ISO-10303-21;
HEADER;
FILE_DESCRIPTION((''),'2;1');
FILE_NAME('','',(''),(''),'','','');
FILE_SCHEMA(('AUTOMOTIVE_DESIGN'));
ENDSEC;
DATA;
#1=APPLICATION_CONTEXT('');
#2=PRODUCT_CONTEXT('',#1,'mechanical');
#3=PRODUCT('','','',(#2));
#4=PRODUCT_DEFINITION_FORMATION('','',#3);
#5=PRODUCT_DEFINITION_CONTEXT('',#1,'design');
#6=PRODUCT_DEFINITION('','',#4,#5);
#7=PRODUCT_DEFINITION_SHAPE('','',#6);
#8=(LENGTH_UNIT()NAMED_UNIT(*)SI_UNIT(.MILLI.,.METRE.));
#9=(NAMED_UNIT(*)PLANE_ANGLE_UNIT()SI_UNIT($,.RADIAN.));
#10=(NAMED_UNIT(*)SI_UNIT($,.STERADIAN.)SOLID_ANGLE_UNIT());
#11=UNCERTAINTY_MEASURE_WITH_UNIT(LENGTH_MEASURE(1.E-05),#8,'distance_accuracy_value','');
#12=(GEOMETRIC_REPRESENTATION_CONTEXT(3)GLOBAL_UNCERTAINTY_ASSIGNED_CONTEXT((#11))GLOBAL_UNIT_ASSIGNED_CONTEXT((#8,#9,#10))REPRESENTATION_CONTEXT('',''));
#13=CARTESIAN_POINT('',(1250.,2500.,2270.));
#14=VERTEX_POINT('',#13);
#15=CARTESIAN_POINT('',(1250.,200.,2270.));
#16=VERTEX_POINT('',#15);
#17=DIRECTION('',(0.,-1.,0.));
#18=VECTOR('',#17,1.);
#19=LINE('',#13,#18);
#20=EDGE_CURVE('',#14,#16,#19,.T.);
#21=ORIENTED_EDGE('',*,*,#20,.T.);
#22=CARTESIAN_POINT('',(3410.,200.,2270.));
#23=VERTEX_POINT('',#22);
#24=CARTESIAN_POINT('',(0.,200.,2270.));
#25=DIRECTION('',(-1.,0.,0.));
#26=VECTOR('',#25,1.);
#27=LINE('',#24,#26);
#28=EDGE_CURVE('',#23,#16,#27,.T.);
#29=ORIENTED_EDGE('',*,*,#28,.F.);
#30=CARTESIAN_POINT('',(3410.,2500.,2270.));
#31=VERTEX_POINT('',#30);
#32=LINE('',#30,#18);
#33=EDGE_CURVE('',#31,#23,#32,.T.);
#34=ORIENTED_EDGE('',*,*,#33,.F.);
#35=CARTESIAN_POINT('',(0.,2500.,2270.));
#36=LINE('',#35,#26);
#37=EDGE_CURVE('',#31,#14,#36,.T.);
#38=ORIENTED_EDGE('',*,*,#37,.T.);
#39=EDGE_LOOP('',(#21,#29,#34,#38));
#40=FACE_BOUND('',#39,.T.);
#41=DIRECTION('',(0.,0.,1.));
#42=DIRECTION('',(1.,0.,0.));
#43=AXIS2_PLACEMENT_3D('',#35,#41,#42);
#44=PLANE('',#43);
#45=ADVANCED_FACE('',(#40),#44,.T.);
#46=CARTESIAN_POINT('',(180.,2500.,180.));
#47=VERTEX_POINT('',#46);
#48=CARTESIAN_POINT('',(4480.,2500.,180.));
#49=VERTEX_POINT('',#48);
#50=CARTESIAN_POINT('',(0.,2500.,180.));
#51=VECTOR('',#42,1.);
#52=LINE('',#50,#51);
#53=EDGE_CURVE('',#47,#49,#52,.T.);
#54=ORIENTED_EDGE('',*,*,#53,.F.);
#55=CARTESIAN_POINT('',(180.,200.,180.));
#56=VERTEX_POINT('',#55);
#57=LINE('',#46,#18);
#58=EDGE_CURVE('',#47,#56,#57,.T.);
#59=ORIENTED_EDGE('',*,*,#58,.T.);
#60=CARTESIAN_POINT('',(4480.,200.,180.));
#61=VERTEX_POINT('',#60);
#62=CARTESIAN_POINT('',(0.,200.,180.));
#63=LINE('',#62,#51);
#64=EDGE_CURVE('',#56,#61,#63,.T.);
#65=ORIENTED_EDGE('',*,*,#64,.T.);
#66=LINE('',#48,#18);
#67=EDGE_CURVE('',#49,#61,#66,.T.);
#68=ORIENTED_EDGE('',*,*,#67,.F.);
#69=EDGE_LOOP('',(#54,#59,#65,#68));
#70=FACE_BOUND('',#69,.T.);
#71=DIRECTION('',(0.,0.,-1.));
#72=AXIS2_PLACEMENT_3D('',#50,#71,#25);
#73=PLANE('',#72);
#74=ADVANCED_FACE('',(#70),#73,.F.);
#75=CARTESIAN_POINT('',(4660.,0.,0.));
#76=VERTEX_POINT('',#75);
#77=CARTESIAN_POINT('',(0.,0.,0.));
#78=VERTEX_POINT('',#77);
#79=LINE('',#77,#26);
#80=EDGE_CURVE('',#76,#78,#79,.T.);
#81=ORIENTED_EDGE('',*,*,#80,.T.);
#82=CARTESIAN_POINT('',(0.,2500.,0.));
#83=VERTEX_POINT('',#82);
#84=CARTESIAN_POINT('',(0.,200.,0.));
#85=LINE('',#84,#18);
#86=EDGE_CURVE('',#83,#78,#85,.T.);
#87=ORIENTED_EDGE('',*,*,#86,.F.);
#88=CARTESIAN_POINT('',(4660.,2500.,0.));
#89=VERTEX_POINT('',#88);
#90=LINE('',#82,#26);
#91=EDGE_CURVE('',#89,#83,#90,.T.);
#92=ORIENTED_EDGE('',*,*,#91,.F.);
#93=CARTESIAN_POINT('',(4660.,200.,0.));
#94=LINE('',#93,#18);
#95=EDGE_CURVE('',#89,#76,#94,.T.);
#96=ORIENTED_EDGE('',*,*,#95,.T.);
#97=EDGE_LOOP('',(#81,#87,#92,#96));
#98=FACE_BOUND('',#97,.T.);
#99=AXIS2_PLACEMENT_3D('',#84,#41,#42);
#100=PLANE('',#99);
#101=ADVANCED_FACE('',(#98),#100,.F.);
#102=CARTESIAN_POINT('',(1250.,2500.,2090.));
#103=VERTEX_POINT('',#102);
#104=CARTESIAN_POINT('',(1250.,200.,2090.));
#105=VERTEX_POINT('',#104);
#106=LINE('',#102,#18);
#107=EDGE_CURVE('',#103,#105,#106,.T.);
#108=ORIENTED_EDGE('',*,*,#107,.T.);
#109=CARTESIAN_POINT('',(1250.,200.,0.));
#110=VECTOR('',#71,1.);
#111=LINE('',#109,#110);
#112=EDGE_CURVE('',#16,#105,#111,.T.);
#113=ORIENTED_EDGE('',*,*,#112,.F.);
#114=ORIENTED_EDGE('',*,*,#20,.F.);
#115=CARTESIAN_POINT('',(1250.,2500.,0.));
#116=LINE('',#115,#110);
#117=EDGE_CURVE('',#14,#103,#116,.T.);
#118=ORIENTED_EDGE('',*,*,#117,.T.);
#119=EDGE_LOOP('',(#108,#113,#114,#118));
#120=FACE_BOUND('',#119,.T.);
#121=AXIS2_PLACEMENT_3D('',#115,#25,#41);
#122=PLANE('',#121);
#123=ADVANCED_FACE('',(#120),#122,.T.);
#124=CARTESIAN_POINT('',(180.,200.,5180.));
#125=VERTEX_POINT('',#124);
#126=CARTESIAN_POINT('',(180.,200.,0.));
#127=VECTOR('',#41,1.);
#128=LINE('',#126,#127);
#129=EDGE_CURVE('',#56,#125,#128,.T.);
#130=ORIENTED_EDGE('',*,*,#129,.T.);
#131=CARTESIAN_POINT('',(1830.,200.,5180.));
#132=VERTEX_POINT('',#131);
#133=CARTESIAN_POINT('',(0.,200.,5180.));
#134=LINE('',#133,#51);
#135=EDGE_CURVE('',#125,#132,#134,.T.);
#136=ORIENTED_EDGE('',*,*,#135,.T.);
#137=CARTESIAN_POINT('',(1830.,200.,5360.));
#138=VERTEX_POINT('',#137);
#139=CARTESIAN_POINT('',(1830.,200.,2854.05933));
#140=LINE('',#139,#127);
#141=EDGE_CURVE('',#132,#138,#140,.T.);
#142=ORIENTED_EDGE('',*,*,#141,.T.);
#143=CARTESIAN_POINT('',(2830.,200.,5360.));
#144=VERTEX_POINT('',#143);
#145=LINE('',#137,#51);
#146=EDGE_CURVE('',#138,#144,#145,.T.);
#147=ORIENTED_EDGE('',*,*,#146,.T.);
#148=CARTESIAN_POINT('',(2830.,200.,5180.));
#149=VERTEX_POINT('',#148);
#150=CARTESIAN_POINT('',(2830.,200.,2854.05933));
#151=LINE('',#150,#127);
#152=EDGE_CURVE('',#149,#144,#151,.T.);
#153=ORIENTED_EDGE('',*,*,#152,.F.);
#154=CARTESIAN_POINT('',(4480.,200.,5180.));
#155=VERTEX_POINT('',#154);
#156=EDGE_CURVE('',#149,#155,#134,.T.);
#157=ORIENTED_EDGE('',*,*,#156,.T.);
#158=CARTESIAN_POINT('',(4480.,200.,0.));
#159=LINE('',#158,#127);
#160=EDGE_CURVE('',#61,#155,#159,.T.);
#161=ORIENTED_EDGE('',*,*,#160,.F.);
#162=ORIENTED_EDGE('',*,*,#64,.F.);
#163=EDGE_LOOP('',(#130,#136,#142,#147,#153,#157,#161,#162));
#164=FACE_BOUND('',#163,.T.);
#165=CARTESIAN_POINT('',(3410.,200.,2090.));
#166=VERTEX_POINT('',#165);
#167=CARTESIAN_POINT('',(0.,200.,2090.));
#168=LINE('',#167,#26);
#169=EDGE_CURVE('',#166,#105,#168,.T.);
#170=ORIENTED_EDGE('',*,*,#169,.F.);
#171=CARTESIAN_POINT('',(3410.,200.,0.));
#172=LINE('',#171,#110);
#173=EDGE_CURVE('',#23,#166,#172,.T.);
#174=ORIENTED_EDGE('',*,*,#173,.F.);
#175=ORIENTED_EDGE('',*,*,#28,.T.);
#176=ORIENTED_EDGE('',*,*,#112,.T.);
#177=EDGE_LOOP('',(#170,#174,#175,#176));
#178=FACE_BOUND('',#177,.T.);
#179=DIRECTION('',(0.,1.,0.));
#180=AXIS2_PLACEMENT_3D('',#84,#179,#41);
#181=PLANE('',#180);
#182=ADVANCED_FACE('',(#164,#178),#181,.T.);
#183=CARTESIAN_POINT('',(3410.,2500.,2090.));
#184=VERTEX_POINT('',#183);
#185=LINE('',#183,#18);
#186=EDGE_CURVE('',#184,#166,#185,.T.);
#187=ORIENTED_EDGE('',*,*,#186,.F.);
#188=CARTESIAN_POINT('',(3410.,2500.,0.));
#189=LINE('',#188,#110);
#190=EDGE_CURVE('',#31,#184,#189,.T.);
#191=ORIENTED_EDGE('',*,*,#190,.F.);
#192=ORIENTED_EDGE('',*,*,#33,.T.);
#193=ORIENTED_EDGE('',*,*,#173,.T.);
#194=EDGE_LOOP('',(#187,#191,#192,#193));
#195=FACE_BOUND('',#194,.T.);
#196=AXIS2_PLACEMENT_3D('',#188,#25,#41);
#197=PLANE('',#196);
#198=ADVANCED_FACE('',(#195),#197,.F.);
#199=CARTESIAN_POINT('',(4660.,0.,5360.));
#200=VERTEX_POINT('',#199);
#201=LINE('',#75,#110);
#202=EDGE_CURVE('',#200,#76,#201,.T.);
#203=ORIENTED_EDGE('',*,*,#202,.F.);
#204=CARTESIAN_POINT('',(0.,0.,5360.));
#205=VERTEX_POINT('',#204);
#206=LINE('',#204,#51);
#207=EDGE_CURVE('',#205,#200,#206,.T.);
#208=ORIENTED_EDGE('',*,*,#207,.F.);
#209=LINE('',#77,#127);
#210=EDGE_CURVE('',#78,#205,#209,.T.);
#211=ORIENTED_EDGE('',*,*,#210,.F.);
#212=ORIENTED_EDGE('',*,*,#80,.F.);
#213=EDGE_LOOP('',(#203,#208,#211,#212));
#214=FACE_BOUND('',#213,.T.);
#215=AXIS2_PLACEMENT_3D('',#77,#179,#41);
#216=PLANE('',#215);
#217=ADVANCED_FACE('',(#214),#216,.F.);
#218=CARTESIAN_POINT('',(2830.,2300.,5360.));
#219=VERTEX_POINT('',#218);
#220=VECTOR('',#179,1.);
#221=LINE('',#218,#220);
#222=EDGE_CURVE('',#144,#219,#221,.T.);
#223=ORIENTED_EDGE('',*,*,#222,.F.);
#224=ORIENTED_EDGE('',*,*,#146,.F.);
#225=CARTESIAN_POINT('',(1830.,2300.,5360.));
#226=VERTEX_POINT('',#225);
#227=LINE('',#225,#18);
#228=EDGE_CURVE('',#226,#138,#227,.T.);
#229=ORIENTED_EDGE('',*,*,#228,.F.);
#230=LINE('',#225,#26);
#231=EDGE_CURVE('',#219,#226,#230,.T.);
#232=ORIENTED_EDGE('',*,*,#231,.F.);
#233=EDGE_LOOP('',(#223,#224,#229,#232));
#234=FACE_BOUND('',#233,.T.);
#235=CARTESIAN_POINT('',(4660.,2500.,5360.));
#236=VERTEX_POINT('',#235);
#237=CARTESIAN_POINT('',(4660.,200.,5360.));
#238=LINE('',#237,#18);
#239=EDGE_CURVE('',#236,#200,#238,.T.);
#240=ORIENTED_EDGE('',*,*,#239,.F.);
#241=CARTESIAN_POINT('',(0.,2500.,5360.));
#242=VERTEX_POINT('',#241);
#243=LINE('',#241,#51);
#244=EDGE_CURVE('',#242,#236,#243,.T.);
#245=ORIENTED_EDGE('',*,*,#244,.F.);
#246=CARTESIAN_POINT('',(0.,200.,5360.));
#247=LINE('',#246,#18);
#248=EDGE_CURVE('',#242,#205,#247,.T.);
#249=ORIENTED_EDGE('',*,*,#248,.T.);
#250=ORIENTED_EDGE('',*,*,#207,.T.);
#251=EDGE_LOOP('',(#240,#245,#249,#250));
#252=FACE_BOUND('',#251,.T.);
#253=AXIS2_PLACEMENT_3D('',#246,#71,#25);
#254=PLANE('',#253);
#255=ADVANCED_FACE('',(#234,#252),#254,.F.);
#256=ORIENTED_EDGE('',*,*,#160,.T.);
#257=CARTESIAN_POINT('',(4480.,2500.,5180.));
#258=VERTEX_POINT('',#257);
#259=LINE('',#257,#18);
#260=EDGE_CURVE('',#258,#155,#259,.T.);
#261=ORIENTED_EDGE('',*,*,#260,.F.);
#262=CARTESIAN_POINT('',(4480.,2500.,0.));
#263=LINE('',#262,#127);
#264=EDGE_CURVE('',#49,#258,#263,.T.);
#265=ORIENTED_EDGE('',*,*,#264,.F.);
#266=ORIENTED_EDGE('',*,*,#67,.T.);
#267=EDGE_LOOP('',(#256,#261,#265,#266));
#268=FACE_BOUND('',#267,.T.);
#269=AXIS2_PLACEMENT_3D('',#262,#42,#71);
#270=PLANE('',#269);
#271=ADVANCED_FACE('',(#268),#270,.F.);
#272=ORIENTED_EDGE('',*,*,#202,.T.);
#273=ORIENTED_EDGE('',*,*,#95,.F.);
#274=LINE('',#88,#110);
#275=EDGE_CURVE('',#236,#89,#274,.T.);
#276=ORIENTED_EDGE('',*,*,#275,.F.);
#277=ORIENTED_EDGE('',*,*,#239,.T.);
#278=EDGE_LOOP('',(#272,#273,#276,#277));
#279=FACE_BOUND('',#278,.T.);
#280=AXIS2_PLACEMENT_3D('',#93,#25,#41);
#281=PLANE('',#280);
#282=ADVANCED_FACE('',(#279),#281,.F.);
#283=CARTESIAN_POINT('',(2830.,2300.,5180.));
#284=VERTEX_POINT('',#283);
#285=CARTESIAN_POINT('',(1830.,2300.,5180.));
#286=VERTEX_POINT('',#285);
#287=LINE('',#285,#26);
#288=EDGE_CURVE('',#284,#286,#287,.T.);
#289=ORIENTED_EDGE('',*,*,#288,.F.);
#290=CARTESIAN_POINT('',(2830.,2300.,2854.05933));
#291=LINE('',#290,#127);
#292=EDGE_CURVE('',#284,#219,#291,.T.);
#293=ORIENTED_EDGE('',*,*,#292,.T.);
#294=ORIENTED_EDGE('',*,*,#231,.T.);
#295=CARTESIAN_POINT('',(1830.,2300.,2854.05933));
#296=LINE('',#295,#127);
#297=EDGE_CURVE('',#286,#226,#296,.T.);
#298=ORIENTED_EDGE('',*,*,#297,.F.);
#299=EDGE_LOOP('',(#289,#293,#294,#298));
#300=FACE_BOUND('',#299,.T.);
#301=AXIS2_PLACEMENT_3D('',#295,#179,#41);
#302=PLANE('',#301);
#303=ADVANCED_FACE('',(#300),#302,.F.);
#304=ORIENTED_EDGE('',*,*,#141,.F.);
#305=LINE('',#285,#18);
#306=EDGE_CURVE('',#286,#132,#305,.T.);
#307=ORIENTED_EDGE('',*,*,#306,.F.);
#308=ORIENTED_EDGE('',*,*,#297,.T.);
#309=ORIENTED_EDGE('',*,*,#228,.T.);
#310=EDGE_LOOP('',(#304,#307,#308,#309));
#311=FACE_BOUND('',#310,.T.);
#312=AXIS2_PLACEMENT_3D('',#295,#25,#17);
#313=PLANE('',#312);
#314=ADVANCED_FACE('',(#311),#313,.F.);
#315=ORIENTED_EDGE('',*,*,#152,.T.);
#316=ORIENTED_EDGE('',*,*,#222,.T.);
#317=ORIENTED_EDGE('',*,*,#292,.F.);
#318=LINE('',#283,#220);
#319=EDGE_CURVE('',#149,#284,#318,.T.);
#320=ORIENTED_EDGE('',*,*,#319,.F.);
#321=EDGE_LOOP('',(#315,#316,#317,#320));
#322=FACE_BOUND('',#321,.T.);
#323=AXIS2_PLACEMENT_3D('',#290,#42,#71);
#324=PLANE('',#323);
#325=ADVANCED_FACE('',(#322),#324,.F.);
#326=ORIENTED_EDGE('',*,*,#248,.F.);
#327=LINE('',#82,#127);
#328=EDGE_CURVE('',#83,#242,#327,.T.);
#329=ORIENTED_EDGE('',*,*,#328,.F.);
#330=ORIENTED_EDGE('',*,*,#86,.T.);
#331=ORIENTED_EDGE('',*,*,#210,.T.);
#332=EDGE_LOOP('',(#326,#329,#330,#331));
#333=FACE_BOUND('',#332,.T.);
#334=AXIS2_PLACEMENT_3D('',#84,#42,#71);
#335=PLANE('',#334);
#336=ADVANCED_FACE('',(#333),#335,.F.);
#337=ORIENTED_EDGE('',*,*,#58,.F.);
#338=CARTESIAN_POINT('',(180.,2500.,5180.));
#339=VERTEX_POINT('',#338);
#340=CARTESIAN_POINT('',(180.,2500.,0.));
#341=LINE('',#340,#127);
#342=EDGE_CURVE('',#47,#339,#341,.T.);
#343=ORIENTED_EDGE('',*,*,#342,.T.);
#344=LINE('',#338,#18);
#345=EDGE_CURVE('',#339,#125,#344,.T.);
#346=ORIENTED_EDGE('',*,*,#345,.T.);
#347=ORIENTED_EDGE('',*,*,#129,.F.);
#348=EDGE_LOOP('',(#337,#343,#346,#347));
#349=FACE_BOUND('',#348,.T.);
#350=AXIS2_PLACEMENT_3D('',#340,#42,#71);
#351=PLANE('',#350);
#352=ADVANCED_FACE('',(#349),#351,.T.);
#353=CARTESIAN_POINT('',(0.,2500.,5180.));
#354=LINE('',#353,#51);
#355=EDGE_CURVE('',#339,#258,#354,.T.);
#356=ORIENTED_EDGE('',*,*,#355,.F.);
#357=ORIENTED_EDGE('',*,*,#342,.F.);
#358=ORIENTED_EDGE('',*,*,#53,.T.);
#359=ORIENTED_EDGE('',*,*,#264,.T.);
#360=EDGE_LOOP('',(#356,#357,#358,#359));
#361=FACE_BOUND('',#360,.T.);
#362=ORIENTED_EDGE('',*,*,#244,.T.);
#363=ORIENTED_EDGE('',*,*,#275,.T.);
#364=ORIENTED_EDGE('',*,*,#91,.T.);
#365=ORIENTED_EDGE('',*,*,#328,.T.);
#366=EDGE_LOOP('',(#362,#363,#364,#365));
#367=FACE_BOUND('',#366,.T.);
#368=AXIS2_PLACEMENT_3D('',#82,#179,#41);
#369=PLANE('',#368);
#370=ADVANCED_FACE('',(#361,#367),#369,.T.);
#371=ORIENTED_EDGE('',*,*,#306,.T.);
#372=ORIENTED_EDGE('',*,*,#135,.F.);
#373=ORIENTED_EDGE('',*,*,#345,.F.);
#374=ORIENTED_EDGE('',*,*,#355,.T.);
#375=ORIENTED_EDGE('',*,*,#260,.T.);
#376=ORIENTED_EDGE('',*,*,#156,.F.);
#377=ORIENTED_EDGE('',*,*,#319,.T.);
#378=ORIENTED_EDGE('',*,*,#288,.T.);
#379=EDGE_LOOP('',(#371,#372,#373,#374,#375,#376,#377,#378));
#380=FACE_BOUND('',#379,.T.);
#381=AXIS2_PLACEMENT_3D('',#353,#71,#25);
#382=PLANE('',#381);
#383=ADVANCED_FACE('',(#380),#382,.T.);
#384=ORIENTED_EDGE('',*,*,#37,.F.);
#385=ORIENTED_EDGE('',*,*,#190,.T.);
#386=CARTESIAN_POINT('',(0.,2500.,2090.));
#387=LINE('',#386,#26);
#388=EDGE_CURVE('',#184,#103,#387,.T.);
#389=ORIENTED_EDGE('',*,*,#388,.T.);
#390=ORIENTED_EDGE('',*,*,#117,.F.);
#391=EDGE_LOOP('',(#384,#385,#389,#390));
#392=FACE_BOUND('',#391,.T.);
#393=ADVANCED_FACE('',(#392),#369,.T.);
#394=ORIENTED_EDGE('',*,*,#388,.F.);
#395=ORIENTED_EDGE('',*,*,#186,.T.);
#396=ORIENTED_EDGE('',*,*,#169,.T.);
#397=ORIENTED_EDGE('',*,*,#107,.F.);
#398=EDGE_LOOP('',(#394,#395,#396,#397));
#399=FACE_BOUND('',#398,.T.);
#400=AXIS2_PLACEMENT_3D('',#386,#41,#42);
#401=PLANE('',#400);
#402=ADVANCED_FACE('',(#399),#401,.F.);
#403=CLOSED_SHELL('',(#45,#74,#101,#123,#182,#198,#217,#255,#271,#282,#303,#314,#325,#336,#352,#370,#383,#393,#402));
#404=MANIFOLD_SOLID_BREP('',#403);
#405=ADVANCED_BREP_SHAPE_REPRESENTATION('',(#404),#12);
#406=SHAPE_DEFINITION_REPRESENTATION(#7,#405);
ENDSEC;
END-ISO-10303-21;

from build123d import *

# Parameters (mm, degrees)
CROQUIS1_W              = 4660
CROQUIS1_H              = 5360
SALIENTE_EXTRUIR1_DEPTH = 200
CROQUIS2_W              = 4660
CROQUIS2_H              = 5360
CROQUIS2_W_2            = 4300
CROQUIS2_H_2            = 5000
CROQUIS2_W_3            = 2160
CROQUIS2_H_3            = 180
SALIENTE_EXTRUIR2_DEPTH = 2300
CROQUIS3_W              = 1000
CROQUIS3_H              = 2100
CORTAR_EXTRUIR1_DEPTH   = 180


with BuildPart() as part:
    # Croquis1 → Saliente-Extruir1 (new body)
    with BuildSketch(Plane(origin=(0, 0, 0), x_dir=(1, 0, 0), z_dir=(0, 1, 0))):
        with Locations((2330, -2680)):
            Rectangle(CROQUIS1_W, CROQUIS1_H)
    extrude(amount=SALIENTE_EXTRUIR1_DEPTH)

    # Croquis2 → Saliente-Extruir2 (add)
    with BuildSketch(Plane(origin=(0, 200, 0), x_dir=(1, 0, 0), z_dir=(0, 1, 0))):
        with Locations((2330, -2680)):
            Rectangle(CROQUIS2_W, CROQUIS2_H)
        with Locations((2330, -2680)):
            Rectangle(CROQUIS2_W_2, CROQUIS2_H_2, mode=Mode.SUBTRACT)
        with Locations((2330, -2180)):
            Rectangle(CROQUIS2_W_3, CROQUIS2_H_3)
    extrude(amount=SALIENTE_EXTRUIR2_DEPTH)

    # Croquis3 → Cortar-Extruir1 (cut)
    with BuildSketch(Plane.XY.offset(5360)):
        with Locations((2330, 1250)):
            Rectangle(CROQUIS3_W, CROQUIS3_H)
    extrude(amount=-CORTAR_EXTRUIR1_DEPTH, mode=Mode.SUBTRACT)


solid = part.part
